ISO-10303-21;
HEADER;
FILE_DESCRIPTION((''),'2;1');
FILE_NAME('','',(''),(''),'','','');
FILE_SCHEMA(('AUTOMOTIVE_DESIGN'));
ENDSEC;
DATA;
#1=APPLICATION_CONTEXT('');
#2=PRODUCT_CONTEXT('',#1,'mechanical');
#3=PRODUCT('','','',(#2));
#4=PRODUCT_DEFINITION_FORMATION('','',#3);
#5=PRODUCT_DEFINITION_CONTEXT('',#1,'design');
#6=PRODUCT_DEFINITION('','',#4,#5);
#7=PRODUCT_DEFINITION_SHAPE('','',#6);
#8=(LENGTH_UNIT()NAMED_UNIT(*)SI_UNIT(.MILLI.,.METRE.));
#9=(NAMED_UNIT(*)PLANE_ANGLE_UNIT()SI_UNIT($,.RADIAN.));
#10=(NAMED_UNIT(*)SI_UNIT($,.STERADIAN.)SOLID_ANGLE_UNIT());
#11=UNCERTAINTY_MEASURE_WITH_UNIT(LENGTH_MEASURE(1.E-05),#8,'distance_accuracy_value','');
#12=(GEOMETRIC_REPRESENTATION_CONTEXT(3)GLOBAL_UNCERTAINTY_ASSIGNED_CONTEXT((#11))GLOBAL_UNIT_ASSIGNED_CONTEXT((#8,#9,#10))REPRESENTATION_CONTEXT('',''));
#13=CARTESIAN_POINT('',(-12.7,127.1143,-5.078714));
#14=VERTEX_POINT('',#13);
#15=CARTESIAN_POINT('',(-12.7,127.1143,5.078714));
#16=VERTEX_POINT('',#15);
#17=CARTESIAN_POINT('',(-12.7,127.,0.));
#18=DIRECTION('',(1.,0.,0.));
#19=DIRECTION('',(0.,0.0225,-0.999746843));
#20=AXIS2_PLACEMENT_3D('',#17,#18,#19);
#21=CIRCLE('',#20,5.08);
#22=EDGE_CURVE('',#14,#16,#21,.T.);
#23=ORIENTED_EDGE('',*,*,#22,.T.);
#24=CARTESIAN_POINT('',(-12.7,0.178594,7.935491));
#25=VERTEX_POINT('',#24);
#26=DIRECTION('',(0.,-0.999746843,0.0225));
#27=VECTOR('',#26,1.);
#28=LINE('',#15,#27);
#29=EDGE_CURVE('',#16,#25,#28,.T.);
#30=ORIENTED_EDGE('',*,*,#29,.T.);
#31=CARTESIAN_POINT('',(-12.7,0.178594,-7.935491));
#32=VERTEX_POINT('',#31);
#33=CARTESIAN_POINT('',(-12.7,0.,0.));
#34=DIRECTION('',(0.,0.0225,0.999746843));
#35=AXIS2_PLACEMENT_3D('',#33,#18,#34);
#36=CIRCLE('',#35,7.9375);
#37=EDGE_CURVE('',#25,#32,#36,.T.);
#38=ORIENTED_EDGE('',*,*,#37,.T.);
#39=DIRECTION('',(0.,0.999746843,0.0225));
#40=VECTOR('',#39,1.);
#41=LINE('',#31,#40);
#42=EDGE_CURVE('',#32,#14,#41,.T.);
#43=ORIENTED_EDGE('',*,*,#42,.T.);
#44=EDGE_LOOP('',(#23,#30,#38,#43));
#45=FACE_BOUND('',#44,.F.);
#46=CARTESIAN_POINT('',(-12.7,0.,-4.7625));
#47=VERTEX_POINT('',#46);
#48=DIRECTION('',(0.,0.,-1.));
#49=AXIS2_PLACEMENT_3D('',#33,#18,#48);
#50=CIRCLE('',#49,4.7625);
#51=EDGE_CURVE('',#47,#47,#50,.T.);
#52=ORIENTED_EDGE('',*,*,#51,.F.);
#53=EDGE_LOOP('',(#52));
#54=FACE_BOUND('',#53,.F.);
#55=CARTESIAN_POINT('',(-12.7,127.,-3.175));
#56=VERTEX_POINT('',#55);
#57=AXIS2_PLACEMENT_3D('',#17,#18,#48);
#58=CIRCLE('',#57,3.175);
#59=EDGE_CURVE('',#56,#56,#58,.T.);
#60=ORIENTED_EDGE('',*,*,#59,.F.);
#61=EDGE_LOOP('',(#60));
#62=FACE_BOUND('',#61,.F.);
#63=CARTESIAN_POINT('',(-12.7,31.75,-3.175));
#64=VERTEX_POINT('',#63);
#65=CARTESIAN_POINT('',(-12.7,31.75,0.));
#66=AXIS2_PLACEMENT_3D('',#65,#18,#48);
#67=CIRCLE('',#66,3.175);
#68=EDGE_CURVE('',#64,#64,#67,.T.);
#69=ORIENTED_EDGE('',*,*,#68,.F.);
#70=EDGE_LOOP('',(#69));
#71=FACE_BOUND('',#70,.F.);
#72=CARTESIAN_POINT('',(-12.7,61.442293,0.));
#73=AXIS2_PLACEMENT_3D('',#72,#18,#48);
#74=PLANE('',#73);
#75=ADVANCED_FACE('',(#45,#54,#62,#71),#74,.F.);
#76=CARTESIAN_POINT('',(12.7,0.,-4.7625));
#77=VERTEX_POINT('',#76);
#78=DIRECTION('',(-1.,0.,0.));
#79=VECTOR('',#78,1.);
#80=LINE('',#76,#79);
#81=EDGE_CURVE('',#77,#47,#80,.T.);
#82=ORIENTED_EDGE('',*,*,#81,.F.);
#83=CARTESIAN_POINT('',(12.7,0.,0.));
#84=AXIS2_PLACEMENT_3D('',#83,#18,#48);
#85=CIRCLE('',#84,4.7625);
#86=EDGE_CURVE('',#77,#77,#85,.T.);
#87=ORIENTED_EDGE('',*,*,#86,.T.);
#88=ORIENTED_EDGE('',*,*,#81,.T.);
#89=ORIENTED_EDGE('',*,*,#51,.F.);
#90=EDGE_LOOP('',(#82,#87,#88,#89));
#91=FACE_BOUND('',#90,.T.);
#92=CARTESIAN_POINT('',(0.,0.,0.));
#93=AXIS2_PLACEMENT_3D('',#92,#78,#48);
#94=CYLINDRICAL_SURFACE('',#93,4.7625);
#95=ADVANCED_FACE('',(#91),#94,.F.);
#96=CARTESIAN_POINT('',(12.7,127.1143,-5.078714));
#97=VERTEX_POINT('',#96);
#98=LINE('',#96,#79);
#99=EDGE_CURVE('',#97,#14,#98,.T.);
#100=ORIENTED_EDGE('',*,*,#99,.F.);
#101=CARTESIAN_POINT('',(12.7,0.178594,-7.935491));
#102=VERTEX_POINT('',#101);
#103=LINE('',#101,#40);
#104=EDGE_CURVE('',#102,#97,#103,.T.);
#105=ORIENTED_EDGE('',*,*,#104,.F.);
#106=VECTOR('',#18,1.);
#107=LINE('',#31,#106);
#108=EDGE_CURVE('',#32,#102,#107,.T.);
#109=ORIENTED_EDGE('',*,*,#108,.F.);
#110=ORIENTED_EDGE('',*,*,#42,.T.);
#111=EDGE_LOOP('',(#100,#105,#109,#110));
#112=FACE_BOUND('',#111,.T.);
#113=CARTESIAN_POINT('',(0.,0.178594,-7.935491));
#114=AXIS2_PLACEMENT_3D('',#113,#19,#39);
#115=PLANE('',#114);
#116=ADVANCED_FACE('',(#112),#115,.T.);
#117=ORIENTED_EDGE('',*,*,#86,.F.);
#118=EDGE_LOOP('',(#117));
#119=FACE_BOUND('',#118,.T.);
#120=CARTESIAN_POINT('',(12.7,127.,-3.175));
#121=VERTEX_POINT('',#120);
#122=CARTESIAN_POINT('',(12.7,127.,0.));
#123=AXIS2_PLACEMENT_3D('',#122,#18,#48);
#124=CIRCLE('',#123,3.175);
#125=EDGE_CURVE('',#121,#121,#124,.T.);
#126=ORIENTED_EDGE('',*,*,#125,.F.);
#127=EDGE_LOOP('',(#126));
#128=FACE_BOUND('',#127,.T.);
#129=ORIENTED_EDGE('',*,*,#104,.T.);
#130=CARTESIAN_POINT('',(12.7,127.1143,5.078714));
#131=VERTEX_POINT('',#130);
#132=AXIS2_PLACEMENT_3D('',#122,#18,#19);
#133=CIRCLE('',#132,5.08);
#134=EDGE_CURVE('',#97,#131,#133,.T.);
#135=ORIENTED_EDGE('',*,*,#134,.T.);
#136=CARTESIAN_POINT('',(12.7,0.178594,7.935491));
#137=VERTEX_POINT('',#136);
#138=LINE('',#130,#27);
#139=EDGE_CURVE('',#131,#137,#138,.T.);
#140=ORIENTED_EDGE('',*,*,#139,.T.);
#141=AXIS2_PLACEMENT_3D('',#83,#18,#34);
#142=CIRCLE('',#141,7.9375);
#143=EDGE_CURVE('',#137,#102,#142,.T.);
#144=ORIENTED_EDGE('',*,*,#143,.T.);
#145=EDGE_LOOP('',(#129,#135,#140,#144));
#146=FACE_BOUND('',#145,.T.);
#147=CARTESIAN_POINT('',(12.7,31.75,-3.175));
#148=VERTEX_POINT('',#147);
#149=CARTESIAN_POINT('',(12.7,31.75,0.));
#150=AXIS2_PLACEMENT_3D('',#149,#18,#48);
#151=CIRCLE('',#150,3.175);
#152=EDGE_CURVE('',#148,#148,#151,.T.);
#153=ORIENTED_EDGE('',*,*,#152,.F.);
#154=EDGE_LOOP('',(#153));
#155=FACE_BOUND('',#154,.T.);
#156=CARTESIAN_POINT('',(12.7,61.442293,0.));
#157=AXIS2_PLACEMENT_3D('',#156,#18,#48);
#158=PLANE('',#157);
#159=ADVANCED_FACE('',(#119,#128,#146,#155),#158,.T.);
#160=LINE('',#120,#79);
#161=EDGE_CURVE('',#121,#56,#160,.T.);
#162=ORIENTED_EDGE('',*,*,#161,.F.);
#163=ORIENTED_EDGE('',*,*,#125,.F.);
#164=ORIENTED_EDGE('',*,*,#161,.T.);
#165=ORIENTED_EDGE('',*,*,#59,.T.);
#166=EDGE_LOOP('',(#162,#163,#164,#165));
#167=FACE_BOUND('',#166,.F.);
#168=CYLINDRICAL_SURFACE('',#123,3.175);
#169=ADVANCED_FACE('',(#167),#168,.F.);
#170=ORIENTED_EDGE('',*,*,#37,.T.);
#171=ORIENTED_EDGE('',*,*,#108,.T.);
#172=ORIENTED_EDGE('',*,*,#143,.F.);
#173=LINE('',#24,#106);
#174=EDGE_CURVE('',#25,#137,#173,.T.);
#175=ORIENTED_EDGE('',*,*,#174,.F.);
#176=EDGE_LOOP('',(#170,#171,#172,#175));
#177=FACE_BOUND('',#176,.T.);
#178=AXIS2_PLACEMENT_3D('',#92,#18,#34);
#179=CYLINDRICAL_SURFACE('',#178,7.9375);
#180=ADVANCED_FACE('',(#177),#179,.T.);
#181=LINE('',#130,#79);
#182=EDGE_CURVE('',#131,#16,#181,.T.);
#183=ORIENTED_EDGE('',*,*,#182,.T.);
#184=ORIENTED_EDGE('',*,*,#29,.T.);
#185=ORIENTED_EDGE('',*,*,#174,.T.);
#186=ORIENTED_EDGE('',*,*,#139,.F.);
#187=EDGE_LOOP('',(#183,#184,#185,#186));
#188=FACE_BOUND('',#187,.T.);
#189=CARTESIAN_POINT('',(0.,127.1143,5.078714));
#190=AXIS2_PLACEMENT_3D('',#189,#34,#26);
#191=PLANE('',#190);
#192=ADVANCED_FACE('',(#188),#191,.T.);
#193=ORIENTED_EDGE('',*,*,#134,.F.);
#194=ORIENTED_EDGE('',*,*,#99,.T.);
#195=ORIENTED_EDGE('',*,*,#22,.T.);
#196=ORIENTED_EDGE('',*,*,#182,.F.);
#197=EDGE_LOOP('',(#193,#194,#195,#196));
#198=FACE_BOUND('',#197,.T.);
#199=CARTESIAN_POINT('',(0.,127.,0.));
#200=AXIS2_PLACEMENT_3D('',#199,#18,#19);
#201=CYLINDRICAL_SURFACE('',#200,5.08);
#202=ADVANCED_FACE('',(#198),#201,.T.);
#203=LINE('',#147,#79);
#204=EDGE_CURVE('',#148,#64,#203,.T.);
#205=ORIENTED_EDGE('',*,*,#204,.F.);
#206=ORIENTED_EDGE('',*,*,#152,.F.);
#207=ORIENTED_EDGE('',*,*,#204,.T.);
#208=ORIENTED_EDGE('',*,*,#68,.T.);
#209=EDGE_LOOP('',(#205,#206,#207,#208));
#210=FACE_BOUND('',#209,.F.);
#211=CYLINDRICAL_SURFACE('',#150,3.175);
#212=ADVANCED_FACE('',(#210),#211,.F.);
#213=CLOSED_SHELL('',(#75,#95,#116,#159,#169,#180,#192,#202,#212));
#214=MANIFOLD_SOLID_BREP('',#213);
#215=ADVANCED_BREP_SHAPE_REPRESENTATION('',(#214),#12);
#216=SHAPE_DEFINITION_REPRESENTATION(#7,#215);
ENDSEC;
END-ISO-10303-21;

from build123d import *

# Parameters (mm, degrees)
SKETCH1_R           = 4.7625
BOSS_EXTRUDE1_DEPTH = 12.7
SKETCH2_R           = 3.175
CUT_EXTRUDE1_DEPTH  = 26.4


with BuildPart() as part:
    # Sketch1 → Boss-Extrude1 (new body, symmetric)
    with BuildSketch(Plane(origin=(0, 0, 0), x_dir=(0, 0, -1), z_dir=(1, 0, 0))):
        with BuildLine():
            Line((-5.078713962, 127.1143), (-7.935490566, 0.17859375))
            ThreePointArc((-7.935490566, 0.17859375), (0, -7.9375), (7.935490566, 0.17859375))
            Line((7.935490566, 0.17859375), (5.078713962, 127.1143))
            ThreePointArc((5.078713962, 127.1143), (0, 132.08), (-5.078713962, 127.1143))
        make_face()
        Circle(SKETCH1_R, mode=Mode.SUBTRACT)
    extrude(amount=BOSS_EXTRUDE1_DEPTH, both=True)

    # Sketch2 → Cut-Extrude1 (cut, through all)
    with BuildSketch(Plane(origin=(12.7, 0, 0), x_dir=(0, 0, -1), z_dir=(1, 0, 0))):
        with Locations((0, 31.75)):
            Circle(SKETCH2_R)
        with Locations((0, 127)):
            Circle(SKETCH2_R)
    extrude(amount=-CUT_EXTRUDE1_DEPTH, mode=Mode.SUBTRACT)


solid = part.part
